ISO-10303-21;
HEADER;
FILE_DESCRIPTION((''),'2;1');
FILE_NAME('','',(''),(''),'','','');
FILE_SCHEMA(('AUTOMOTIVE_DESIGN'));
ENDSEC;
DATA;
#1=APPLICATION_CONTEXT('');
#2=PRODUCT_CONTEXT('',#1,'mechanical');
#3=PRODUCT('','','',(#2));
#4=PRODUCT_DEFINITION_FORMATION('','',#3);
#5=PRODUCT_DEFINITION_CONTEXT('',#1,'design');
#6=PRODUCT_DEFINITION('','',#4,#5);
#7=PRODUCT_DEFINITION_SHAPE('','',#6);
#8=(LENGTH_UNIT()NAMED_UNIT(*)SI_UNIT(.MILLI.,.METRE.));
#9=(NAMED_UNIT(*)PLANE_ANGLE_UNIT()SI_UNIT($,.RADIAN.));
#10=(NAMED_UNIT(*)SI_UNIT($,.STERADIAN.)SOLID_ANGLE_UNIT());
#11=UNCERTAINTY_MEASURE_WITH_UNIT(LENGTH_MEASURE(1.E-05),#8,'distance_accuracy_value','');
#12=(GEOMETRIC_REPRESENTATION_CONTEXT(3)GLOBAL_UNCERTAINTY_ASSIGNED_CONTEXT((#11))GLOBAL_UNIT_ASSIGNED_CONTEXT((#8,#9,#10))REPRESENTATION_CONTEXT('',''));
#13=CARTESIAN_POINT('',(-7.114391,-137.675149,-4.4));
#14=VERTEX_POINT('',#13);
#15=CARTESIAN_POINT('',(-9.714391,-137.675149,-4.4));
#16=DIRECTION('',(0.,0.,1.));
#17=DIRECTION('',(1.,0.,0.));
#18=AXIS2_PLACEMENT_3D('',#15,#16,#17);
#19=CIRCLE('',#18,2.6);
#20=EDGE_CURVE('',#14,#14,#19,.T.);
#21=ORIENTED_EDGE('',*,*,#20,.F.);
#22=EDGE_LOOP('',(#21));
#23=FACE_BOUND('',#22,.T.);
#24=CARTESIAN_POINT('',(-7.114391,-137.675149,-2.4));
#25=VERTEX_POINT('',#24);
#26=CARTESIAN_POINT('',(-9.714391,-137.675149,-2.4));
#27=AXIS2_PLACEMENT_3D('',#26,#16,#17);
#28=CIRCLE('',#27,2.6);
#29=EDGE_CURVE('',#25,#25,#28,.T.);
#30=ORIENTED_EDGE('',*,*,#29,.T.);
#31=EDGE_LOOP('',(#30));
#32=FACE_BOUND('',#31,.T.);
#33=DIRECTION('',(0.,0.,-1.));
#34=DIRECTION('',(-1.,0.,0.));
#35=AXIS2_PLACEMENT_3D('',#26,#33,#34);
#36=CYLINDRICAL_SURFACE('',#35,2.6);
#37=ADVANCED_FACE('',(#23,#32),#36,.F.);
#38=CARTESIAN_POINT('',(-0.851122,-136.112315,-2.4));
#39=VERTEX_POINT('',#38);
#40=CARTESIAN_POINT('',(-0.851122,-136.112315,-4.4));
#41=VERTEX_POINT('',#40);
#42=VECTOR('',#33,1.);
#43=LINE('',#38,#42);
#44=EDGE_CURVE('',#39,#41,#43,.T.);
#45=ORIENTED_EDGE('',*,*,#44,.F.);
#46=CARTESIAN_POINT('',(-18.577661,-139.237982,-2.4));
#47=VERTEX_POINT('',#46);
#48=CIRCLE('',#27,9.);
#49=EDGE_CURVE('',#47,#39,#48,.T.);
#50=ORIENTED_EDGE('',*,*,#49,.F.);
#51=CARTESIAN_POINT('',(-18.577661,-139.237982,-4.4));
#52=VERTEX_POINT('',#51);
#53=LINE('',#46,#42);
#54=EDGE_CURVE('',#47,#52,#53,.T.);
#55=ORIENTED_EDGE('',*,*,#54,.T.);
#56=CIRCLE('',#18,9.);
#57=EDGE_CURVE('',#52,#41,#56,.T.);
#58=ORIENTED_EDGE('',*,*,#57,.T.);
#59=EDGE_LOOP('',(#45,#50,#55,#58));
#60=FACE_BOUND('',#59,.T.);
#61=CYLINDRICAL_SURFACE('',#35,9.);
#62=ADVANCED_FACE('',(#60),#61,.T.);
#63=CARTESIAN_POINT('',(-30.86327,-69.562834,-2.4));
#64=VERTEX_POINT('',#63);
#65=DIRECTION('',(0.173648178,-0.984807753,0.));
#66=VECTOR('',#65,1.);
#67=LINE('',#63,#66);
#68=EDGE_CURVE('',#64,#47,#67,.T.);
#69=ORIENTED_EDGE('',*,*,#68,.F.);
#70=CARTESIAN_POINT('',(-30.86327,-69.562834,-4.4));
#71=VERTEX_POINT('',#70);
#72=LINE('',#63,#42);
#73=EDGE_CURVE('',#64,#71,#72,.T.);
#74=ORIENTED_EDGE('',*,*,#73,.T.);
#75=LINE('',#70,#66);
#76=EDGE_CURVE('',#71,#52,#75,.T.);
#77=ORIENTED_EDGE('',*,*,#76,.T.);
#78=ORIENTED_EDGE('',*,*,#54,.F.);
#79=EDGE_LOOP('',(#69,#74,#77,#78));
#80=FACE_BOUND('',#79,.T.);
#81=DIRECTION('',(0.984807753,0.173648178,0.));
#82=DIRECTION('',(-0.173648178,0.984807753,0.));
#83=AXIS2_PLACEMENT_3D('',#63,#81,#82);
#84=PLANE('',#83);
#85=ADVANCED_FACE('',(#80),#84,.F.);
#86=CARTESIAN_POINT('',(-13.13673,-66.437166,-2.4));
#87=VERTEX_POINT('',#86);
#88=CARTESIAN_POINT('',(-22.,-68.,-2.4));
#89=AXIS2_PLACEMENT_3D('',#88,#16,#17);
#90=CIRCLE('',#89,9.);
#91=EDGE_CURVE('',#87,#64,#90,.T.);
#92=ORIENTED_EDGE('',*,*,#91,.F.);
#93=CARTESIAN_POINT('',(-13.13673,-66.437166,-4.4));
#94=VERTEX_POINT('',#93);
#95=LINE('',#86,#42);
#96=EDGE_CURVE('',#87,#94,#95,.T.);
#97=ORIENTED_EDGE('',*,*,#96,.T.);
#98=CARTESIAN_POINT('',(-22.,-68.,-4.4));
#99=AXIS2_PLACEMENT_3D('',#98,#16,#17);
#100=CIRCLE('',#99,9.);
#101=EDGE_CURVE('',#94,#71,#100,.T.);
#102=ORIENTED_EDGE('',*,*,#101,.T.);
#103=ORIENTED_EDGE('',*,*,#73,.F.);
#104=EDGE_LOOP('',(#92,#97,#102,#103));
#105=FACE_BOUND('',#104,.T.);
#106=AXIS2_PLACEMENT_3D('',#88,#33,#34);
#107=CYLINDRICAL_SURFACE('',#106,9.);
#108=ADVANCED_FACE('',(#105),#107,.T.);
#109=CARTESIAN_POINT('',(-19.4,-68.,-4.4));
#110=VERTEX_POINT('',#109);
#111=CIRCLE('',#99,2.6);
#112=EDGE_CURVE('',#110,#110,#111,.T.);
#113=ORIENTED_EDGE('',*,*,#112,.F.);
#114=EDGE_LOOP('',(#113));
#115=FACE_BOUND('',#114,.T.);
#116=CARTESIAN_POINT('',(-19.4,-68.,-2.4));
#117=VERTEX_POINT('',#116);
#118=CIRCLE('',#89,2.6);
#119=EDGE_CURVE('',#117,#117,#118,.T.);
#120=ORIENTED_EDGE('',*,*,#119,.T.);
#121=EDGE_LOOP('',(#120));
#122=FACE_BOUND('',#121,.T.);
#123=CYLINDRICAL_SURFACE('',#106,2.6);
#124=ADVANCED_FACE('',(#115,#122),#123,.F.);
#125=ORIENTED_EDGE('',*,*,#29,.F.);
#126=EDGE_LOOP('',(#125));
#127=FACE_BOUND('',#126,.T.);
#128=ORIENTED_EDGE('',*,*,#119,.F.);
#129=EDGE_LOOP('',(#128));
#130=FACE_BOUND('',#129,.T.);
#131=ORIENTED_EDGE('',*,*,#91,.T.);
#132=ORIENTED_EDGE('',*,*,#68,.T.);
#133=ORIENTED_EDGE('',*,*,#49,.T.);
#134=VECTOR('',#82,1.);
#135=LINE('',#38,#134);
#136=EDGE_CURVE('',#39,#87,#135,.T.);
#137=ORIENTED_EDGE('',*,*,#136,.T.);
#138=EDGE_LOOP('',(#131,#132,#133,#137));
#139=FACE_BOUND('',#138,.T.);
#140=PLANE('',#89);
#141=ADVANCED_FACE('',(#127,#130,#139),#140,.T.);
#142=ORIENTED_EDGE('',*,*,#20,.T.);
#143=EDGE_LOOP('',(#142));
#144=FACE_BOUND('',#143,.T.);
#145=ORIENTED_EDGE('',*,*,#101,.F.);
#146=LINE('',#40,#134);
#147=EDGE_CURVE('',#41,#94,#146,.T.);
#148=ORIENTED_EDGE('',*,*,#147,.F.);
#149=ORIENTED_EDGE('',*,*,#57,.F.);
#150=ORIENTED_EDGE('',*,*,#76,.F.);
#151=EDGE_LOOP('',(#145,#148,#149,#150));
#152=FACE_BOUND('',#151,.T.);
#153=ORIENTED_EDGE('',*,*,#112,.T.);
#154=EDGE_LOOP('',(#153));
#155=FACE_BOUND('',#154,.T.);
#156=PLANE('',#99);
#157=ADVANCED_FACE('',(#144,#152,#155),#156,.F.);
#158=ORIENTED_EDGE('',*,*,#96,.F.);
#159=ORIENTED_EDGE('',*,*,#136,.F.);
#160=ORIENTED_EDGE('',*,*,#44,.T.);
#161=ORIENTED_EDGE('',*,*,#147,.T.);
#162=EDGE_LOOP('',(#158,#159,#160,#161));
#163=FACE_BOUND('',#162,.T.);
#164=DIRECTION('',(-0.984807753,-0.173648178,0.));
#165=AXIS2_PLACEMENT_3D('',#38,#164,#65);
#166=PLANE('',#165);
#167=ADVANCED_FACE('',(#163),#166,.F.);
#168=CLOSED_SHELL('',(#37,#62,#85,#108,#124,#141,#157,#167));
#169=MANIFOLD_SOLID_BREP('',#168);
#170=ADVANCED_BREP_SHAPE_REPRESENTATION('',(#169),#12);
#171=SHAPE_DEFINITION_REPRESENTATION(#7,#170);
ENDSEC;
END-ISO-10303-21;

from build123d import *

# Parameters (mm, degrees)
SK_PLACA_JAULA_INTERIOR_R  = 2.6
PLACA_JAULA_INTERIOR_DEPTH = 2


with BuildPart() as part:
    # Sk_Placa_jaula_interior → Placa_jaula_interior (new body)
    with BuildSketch(Plane.XY.offset(-4.4)):
        with BuildLine():
            Line((-30.863269777, -69.562833599), (-18.577661207, -139.237982125))
            ThreePointArc((-18.577661207, -139.237982125), (-8.151557831, -146.538418303), (-0.851121653, -136.112314927))
            Line((-0.851121653, -136.112314927), (-13.136730223, -66.437166401))
            ThreePointArc((-13.136730223, -66.437166401), (-23.562833599, -59.136730223), (-30.863269777, -69.562833599))
        make_face()
        with Locations((-22, -68)):
            Circle(SK_PLACA_JAULA_INTERIOR_R, mode=Mode.SUBTRACT)
        with Locations((-9.71439143, -137.675148526)):
            Circle(SK_PLACA_JAULA_INTERIOR_R, mode=Mode.SUBTRACT)
    extrude(amount=PLACA_JAULA_INTERIOR_DEPTH)


solid = part.part
